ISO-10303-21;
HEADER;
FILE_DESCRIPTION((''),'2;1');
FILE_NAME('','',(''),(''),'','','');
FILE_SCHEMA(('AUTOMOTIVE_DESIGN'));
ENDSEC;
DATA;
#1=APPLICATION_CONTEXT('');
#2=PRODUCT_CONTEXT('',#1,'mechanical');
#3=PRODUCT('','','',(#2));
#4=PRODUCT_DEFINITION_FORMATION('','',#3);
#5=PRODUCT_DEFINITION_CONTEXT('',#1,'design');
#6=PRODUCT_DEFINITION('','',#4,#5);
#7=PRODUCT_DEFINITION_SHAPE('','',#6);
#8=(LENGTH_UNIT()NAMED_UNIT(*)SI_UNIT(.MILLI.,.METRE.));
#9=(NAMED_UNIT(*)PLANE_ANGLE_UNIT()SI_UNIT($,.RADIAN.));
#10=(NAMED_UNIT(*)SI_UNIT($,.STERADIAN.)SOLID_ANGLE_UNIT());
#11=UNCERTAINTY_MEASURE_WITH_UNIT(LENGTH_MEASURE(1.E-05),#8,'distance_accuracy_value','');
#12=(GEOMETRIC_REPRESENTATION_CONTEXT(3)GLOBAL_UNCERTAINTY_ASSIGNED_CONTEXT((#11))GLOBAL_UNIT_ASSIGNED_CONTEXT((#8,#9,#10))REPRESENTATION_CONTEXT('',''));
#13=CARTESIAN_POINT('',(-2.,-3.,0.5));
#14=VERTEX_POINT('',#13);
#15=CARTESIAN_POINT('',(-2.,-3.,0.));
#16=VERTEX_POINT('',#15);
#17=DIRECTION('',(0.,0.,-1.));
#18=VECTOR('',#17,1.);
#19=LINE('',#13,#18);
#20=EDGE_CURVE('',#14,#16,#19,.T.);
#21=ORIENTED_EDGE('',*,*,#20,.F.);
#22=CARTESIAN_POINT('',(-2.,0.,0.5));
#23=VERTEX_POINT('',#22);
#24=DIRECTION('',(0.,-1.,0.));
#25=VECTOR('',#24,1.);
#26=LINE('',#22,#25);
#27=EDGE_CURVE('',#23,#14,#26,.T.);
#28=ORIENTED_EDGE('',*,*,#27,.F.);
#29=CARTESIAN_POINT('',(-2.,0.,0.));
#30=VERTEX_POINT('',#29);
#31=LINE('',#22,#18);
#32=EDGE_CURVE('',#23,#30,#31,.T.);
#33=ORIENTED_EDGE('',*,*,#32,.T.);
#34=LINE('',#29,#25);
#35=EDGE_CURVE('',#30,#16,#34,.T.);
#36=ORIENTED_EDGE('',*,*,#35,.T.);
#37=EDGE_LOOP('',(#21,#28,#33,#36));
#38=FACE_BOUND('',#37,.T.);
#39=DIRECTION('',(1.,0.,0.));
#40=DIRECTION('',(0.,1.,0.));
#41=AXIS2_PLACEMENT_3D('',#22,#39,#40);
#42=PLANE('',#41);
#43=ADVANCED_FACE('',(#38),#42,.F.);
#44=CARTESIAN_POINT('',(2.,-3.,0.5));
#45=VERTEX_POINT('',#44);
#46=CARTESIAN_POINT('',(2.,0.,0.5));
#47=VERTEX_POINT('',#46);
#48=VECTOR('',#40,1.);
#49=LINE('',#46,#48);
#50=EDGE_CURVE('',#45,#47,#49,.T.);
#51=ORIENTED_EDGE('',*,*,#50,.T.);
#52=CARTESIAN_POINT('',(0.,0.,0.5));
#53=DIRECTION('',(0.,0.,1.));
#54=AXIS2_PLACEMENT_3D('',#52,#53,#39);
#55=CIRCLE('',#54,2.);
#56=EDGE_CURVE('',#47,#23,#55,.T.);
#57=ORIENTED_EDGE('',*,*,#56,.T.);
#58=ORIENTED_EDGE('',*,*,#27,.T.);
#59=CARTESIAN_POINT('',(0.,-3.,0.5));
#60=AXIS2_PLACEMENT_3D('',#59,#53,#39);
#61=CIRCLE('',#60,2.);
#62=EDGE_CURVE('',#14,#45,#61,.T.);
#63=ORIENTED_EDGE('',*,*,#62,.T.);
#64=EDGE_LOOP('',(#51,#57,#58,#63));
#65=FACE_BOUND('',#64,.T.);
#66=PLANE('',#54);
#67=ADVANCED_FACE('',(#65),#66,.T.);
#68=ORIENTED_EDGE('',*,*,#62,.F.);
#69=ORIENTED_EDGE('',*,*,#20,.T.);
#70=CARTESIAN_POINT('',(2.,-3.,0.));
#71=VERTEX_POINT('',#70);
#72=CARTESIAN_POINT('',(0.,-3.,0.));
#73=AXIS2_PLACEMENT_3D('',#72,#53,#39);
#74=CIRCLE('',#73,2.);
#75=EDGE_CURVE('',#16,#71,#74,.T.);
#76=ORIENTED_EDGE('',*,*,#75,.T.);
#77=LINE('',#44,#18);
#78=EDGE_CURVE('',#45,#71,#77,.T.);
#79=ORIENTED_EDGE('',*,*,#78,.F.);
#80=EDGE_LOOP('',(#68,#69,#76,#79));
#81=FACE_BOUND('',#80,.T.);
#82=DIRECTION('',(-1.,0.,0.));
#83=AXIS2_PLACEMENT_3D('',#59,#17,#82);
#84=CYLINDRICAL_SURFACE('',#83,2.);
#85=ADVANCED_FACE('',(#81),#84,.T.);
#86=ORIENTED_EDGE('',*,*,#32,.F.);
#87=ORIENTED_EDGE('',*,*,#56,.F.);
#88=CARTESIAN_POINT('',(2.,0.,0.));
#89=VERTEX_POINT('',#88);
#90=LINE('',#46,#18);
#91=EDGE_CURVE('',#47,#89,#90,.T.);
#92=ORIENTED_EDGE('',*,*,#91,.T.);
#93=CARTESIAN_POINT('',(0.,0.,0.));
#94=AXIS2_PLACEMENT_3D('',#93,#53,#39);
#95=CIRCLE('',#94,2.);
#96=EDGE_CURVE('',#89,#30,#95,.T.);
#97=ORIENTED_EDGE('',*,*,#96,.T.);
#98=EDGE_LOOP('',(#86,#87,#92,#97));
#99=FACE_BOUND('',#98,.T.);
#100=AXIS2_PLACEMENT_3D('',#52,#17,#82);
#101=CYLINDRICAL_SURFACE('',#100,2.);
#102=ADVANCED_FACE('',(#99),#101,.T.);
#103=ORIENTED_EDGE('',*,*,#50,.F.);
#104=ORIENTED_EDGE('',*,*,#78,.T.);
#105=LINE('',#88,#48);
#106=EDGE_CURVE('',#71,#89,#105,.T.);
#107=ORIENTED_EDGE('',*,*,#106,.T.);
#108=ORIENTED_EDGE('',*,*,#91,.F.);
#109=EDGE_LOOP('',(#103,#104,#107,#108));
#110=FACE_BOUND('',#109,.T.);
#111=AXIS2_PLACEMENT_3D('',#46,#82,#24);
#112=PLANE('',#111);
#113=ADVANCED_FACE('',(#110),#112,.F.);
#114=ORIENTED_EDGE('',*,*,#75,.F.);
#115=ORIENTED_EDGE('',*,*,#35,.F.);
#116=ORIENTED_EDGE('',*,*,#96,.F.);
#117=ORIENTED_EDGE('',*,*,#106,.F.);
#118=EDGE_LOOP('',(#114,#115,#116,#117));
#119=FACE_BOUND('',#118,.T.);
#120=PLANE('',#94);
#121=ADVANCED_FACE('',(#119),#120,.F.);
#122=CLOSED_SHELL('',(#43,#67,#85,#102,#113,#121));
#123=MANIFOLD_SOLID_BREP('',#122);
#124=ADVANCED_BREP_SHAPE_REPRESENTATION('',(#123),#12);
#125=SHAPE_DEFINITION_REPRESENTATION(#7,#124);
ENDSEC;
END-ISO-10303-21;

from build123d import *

# Parameters (mm, degrees)
BOSS_EXTRUDE1_DEPTH = 0.5


with BuildPart() as part:
    # Sketch1 → Boss-Extrude1 (new body)
    with BuildSketch(Plane.XY):
        with BuildLine():
            Line((2, 0), (2, -3))
            ThreePointArc((2, -3), (0, -5), (-2, -3))
            Line((-2, -3), (-2, 0))
            ThreePointArc((-2, 0), (0, 2), (2, 0))
        make_face()
    extrude(amount=BOSS_EXTRUDE1_DEPTH)


solid = part.part
